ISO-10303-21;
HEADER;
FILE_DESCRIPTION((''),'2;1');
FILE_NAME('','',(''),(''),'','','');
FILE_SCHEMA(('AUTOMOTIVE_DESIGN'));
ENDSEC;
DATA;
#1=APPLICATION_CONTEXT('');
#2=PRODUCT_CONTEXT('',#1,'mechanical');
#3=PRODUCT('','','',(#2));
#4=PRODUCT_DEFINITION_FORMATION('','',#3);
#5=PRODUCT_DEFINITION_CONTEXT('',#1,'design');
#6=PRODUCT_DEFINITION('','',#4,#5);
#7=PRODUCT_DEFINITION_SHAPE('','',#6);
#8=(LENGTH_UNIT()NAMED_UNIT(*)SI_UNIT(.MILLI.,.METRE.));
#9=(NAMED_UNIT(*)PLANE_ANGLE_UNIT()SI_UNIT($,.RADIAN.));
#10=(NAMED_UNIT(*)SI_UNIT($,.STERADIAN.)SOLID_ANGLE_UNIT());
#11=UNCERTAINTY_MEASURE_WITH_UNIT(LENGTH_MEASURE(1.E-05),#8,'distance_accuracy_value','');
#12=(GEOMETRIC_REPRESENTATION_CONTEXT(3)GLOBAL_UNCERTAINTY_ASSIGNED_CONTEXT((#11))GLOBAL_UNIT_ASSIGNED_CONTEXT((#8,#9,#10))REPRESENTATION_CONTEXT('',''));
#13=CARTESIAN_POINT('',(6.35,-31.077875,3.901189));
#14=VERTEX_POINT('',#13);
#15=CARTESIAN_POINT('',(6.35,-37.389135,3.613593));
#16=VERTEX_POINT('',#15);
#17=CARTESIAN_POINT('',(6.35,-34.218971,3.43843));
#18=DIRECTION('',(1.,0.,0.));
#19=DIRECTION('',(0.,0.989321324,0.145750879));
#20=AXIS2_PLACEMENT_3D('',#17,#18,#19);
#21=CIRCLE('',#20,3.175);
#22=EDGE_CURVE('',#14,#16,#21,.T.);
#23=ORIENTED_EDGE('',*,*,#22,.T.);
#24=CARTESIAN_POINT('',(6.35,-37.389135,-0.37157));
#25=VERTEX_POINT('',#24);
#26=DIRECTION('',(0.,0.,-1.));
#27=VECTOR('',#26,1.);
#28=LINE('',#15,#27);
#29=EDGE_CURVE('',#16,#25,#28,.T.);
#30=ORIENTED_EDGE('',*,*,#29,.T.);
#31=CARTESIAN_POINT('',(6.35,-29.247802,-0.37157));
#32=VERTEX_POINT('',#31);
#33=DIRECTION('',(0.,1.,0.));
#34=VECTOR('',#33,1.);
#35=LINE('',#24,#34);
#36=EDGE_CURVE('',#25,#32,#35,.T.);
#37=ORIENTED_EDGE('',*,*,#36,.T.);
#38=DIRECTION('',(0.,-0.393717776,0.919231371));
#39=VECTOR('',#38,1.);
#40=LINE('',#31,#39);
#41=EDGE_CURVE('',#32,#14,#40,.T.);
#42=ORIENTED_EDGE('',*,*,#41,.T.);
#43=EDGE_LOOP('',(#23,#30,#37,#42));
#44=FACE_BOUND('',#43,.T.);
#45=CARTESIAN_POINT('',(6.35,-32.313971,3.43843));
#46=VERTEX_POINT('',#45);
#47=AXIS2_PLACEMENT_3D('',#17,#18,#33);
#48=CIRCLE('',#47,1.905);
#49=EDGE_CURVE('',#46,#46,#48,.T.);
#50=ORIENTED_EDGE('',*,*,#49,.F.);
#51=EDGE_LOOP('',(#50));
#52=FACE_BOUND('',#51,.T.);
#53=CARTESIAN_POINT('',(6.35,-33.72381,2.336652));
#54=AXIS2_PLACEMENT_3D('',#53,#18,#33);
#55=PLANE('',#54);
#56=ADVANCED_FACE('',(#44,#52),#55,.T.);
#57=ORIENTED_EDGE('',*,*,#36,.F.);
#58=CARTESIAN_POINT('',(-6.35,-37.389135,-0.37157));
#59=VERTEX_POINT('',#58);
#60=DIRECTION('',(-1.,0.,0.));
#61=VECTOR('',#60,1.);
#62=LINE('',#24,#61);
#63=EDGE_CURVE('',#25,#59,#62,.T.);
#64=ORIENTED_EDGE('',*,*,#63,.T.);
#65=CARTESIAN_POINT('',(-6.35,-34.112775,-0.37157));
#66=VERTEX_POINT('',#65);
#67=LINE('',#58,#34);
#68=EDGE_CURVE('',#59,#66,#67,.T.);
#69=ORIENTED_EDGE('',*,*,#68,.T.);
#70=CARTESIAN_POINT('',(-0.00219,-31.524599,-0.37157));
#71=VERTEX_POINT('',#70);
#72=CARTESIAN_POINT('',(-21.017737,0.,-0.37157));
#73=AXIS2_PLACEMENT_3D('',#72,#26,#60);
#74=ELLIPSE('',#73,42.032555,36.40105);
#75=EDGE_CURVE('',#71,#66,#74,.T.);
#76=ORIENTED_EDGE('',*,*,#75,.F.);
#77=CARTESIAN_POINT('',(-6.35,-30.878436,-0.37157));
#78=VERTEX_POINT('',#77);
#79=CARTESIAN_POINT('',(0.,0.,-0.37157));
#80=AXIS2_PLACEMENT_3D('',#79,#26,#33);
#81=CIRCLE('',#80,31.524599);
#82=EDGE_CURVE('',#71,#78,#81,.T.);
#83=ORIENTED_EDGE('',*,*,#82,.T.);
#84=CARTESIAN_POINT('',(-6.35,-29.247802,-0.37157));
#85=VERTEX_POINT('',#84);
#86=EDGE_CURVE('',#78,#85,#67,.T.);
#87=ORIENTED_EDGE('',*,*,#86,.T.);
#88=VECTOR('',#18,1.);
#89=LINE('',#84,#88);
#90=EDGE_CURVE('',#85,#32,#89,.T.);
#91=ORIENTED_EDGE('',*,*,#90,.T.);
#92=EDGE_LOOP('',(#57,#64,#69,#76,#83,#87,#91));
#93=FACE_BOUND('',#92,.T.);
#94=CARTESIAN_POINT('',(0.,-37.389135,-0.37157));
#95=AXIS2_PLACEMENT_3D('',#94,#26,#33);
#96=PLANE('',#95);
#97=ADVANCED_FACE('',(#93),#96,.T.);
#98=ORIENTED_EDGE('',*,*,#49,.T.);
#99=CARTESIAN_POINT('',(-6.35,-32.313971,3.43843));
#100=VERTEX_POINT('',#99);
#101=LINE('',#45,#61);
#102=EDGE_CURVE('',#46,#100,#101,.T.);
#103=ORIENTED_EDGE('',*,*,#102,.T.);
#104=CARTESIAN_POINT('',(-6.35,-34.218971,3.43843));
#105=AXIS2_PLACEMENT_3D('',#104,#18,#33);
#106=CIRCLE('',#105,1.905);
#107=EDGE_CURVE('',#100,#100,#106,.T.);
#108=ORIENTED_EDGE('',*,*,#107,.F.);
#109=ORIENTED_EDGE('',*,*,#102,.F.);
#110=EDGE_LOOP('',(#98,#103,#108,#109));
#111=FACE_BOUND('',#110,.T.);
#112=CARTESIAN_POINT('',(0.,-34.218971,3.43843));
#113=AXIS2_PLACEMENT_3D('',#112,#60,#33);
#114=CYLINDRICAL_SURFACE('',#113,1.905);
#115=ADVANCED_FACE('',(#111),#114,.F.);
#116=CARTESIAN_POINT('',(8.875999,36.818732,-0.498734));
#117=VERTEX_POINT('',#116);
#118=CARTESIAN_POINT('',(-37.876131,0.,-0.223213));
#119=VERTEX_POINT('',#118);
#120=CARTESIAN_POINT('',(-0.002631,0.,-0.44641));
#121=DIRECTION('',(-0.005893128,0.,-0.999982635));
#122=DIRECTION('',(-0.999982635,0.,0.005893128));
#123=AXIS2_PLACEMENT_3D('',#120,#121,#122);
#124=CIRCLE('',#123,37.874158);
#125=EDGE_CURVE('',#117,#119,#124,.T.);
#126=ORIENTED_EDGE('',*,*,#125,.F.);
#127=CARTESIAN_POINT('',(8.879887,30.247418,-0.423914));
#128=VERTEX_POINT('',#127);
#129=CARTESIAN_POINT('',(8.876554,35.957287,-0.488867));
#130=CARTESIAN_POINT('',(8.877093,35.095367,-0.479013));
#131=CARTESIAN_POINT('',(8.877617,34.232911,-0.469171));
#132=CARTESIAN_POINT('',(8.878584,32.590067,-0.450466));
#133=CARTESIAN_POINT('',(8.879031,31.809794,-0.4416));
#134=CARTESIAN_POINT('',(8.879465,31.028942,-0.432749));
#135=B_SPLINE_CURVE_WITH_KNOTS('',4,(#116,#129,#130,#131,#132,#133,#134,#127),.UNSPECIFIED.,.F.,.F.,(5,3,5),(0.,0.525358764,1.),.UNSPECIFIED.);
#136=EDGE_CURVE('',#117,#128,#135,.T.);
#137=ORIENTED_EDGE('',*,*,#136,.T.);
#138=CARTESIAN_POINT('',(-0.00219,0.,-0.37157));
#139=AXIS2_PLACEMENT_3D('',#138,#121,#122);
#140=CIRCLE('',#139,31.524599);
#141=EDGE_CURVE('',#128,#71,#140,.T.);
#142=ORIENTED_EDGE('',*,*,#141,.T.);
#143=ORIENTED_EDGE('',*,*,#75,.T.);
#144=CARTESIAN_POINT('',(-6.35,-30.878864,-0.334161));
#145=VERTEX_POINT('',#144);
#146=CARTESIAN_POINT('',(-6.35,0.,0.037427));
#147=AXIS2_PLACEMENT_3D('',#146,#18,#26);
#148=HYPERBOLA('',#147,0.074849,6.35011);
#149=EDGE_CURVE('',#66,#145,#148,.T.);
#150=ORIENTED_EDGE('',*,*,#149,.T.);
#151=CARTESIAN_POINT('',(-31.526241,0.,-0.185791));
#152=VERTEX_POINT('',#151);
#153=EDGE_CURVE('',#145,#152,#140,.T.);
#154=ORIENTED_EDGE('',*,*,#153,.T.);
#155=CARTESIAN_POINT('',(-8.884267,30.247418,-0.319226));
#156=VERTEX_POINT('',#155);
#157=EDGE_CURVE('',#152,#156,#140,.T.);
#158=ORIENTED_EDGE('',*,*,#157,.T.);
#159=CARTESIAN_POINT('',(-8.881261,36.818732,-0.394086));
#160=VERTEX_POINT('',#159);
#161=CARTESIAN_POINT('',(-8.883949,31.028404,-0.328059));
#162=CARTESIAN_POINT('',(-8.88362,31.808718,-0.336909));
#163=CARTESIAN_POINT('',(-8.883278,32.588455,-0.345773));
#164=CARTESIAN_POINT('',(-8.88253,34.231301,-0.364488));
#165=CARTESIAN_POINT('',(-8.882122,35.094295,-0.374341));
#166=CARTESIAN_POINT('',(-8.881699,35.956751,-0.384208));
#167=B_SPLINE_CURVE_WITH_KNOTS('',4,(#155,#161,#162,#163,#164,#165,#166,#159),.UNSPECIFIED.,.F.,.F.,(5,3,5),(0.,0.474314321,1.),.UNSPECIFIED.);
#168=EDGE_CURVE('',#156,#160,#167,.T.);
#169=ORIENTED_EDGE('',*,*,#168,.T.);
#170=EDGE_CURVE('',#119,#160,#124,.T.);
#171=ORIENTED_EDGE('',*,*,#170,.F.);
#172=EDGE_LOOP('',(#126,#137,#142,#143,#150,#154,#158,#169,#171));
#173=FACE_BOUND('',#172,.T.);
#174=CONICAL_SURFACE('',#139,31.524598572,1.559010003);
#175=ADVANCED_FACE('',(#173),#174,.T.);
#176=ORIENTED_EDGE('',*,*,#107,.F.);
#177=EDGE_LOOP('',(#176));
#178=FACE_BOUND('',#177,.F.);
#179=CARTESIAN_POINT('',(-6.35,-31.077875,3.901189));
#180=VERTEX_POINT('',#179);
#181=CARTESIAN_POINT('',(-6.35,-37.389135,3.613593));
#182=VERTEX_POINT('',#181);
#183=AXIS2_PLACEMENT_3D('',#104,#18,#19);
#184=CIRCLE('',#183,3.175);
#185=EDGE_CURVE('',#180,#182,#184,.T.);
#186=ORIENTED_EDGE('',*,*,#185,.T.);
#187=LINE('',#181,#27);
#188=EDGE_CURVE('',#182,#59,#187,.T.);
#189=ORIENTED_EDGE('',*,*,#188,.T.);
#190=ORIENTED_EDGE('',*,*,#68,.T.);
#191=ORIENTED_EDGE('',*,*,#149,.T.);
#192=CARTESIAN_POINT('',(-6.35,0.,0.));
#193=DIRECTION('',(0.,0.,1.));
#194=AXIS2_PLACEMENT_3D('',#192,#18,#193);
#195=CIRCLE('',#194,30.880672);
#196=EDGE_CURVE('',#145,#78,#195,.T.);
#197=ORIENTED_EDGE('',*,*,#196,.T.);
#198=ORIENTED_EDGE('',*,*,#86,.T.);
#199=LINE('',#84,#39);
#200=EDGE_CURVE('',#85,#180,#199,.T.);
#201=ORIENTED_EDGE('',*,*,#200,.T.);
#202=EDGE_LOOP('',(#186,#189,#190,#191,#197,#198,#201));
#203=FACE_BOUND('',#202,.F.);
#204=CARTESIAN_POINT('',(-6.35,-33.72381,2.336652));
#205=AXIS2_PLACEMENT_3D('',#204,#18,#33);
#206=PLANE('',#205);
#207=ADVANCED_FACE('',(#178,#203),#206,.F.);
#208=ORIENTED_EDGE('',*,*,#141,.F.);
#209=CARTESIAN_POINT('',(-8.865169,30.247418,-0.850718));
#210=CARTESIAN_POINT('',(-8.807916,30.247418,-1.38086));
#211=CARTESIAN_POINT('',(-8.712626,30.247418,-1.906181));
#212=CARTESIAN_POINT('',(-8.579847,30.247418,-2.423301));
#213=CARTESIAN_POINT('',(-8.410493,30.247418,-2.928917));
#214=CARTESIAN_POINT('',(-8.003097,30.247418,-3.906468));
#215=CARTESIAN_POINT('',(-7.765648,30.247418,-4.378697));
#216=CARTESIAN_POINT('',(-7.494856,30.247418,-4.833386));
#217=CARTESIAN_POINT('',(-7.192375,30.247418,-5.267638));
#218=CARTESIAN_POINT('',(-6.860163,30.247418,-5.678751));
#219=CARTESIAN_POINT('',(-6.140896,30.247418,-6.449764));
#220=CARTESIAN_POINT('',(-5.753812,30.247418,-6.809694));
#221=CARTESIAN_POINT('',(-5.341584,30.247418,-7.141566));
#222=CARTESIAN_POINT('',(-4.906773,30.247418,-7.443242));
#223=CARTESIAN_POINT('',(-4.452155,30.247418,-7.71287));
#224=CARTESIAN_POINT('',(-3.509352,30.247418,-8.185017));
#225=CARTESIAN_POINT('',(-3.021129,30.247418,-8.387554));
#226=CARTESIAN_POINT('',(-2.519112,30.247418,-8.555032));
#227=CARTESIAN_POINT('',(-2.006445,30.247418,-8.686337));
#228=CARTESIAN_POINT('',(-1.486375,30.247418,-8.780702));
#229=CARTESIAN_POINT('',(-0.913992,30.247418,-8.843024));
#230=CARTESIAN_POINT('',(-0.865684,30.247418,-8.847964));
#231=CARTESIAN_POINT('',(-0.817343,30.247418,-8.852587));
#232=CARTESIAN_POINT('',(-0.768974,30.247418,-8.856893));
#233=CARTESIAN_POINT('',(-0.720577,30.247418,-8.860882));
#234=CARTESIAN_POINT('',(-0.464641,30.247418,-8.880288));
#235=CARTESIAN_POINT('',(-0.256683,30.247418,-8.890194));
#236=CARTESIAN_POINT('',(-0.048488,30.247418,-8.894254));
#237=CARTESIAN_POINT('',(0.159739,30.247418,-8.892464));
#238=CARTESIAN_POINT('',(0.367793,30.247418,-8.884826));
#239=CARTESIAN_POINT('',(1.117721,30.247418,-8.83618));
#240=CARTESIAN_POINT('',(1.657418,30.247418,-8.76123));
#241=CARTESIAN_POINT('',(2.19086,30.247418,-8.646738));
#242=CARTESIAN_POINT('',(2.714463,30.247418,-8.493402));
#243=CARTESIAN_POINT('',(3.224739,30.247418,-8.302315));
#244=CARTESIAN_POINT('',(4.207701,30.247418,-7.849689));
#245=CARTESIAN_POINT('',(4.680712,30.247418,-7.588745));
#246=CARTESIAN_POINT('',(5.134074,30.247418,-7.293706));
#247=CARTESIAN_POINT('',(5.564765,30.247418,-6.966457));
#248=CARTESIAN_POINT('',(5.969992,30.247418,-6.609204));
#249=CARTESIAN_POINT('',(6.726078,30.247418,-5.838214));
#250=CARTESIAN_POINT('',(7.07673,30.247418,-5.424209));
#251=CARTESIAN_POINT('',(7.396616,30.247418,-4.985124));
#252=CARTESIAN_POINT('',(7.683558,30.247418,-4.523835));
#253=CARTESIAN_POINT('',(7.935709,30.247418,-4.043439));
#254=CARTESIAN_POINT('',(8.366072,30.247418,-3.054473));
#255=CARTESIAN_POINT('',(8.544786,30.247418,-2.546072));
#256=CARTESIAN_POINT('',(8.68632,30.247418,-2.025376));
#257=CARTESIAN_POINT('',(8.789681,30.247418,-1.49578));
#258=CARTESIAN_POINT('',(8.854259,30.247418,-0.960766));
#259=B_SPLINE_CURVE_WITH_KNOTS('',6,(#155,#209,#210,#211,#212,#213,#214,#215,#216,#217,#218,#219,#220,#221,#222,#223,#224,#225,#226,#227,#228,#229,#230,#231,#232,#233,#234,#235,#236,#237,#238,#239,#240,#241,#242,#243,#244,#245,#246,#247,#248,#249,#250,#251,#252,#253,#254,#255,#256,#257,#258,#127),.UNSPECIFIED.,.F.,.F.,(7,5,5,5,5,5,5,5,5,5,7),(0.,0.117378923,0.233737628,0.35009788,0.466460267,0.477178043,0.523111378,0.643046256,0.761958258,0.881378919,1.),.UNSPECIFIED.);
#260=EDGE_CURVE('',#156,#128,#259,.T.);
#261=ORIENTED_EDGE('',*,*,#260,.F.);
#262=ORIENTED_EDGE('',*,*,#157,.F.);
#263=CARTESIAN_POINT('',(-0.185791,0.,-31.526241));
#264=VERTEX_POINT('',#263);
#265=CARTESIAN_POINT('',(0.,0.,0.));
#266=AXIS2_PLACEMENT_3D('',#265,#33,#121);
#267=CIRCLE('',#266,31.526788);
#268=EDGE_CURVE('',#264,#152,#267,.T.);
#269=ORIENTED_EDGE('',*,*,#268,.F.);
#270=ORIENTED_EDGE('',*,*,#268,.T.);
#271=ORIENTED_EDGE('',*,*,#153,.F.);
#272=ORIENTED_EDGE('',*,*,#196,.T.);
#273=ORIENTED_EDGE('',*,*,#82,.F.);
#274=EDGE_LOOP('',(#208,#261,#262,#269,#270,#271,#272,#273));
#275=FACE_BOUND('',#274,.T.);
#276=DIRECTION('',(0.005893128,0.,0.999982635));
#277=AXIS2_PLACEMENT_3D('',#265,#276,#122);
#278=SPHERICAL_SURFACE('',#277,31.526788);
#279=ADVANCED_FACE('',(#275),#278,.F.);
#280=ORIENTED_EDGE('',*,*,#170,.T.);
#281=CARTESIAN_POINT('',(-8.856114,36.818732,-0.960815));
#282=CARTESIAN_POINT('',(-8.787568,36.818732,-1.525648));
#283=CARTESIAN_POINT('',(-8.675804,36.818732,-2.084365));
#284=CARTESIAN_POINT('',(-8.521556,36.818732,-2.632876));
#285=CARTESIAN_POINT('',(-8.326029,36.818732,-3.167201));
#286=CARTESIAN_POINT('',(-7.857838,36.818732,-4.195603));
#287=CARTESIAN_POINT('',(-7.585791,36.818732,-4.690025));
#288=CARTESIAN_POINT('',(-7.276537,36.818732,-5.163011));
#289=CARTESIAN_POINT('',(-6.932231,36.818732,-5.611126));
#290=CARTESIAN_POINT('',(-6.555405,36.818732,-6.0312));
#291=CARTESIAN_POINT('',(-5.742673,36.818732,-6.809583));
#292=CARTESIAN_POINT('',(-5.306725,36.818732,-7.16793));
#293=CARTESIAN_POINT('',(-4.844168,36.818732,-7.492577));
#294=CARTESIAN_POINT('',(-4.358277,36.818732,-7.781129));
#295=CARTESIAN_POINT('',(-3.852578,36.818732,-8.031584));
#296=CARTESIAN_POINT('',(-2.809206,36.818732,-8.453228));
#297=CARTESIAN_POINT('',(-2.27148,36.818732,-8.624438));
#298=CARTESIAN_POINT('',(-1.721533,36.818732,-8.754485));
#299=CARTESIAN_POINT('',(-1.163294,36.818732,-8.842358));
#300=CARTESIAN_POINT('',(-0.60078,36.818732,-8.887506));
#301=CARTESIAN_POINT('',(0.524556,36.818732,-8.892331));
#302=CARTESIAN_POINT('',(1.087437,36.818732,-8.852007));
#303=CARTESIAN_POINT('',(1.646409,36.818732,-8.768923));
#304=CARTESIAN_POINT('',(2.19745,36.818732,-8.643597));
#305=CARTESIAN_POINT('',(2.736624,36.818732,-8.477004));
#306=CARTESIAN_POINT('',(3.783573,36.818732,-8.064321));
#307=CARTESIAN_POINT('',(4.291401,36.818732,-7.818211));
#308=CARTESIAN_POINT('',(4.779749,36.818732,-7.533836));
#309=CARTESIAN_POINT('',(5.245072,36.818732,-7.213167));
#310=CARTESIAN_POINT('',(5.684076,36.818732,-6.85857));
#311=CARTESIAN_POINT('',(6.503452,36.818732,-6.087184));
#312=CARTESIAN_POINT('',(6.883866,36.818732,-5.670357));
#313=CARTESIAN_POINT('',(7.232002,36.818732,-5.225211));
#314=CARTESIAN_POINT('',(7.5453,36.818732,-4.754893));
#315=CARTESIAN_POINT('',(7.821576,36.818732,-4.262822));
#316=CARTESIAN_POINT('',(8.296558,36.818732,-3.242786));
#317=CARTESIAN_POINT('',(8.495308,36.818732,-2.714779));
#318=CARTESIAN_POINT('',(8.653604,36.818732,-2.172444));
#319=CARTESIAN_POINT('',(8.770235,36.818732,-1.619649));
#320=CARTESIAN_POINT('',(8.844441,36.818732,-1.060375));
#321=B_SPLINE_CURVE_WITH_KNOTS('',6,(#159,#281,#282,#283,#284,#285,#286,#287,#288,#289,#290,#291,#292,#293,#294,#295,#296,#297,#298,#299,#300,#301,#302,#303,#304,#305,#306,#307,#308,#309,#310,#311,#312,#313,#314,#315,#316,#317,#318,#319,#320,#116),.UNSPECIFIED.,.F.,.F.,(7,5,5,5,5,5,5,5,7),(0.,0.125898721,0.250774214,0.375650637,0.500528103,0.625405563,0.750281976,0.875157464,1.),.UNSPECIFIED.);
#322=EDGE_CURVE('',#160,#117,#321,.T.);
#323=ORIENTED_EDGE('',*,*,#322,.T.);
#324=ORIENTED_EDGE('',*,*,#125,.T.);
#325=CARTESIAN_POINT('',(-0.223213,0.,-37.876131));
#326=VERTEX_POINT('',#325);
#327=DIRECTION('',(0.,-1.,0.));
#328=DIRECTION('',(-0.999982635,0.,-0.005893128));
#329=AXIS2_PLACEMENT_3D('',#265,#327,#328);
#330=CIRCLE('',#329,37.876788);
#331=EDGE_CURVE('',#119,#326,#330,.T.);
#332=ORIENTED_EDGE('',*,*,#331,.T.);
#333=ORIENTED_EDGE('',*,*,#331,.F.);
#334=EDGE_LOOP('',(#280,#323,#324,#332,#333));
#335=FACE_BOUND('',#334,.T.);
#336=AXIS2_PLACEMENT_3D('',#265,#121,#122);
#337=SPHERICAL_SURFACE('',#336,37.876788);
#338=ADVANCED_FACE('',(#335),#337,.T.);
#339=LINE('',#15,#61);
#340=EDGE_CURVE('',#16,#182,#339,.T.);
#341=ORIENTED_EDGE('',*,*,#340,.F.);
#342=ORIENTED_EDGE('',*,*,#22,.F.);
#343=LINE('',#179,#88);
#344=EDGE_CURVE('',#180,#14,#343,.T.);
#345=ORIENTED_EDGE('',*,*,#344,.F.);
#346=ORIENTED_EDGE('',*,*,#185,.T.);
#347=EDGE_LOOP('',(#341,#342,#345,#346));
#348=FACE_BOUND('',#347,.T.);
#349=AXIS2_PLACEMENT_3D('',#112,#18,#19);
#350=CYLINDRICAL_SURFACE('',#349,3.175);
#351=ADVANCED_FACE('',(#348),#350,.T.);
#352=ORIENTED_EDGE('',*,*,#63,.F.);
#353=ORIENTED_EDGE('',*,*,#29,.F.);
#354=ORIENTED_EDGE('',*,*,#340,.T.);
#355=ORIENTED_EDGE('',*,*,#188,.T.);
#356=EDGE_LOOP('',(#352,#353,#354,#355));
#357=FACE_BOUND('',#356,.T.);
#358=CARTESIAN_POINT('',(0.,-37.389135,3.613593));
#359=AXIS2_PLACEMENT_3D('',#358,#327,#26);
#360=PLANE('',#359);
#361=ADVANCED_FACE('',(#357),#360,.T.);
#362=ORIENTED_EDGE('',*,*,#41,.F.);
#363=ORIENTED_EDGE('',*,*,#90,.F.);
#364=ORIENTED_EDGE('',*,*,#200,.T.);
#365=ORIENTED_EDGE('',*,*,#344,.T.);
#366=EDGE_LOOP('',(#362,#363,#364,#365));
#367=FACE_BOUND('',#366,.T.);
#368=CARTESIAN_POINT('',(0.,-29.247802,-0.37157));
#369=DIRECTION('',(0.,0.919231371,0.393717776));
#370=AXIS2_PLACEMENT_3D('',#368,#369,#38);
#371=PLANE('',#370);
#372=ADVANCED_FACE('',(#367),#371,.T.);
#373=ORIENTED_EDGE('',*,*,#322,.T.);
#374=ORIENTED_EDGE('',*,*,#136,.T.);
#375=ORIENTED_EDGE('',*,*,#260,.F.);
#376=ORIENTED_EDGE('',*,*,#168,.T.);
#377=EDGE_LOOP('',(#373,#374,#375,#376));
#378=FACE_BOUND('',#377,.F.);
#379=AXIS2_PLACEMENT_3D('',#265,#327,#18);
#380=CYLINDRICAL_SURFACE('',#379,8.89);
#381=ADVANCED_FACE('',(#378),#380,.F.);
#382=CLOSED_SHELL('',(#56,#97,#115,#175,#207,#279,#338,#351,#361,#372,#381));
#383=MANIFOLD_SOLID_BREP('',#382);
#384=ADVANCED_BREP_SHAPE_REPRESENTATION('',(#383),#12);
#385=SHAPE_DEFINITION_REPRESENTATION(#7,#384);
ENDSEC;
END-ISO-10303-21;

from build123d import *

# Parameters (mm, degrees)
F2_R     = 8.89
F3_DEPTH = 37.8751575137
F4_R     = 1.905
F5_DEPTH = 6.35


with BuildPart() as f1:
    # F0 (on Front) → F1 (revolve)
    with BuildSketch(Plane.XZ):
        with BuildLine():
            ThreePointArc((-0.1857913862, -31.5262409051), (-22.2928058356, -22.2928058356), (-31.5262409051, -0.1857913862))
            Line((-31.5262409051, -0.1857913862), (-37.8761306398, -0.2232127463))
            ThreePointArc((-37.8761306398, -0.2232127463), (-26.7829338961, -26.7829338961), (-0.2232127463, -37.8761306398))
            Line((-0.2232127463, -37.8761306398), (-0.1857913862, -31.5262409051))
        make_face()
    revolve(axis=Axis((-0.2045020662, 0, -34.7011857724), (-0.0058931276, 0, -0.9999826354)))

    # F2 (on Front) → F3 (cut, through all)
    with BuildSketch(Plane.XZ):
        Circle(F2_R)
    extrude(amount=-F3_DEPTH, mode=Mode.SUBTRACT)

    # F4 (on Right) → F5 (join, symmetric)
    with BuildSketch(Plane.YZ):
        with BuildLine():
            Line((-37.3891351909, -0.3715698676), (-31.5245985714, -0.3715698676))
            Line((-31.5245985714, -0.3715698676), (-29.2478017509, -0.3715698676))
            Line((-29.2478017509, -0.3715698676), (-31.0778754838, 3.9011891729))
            ThreePointArc((-31.0778754838, 3.9011891729), (-34.3635014884, 6.610138796), (-37.3891351909, 3.613592951))
            Line((-37.3891351909, 3.613592951), (-37.3891351909, 3.2632673138))
            Line((-37.3891351909, 3.2632673138), (-37.3891351909, -0.3715698676))
        make_face()
        with Locations((-34.2189706862, 3.4384301324)):
            Circle(F4_R, mode=Mode.SUBTRACT)
    extrude(amount=F5_DEPTH, both=True)


solid = f1.part
